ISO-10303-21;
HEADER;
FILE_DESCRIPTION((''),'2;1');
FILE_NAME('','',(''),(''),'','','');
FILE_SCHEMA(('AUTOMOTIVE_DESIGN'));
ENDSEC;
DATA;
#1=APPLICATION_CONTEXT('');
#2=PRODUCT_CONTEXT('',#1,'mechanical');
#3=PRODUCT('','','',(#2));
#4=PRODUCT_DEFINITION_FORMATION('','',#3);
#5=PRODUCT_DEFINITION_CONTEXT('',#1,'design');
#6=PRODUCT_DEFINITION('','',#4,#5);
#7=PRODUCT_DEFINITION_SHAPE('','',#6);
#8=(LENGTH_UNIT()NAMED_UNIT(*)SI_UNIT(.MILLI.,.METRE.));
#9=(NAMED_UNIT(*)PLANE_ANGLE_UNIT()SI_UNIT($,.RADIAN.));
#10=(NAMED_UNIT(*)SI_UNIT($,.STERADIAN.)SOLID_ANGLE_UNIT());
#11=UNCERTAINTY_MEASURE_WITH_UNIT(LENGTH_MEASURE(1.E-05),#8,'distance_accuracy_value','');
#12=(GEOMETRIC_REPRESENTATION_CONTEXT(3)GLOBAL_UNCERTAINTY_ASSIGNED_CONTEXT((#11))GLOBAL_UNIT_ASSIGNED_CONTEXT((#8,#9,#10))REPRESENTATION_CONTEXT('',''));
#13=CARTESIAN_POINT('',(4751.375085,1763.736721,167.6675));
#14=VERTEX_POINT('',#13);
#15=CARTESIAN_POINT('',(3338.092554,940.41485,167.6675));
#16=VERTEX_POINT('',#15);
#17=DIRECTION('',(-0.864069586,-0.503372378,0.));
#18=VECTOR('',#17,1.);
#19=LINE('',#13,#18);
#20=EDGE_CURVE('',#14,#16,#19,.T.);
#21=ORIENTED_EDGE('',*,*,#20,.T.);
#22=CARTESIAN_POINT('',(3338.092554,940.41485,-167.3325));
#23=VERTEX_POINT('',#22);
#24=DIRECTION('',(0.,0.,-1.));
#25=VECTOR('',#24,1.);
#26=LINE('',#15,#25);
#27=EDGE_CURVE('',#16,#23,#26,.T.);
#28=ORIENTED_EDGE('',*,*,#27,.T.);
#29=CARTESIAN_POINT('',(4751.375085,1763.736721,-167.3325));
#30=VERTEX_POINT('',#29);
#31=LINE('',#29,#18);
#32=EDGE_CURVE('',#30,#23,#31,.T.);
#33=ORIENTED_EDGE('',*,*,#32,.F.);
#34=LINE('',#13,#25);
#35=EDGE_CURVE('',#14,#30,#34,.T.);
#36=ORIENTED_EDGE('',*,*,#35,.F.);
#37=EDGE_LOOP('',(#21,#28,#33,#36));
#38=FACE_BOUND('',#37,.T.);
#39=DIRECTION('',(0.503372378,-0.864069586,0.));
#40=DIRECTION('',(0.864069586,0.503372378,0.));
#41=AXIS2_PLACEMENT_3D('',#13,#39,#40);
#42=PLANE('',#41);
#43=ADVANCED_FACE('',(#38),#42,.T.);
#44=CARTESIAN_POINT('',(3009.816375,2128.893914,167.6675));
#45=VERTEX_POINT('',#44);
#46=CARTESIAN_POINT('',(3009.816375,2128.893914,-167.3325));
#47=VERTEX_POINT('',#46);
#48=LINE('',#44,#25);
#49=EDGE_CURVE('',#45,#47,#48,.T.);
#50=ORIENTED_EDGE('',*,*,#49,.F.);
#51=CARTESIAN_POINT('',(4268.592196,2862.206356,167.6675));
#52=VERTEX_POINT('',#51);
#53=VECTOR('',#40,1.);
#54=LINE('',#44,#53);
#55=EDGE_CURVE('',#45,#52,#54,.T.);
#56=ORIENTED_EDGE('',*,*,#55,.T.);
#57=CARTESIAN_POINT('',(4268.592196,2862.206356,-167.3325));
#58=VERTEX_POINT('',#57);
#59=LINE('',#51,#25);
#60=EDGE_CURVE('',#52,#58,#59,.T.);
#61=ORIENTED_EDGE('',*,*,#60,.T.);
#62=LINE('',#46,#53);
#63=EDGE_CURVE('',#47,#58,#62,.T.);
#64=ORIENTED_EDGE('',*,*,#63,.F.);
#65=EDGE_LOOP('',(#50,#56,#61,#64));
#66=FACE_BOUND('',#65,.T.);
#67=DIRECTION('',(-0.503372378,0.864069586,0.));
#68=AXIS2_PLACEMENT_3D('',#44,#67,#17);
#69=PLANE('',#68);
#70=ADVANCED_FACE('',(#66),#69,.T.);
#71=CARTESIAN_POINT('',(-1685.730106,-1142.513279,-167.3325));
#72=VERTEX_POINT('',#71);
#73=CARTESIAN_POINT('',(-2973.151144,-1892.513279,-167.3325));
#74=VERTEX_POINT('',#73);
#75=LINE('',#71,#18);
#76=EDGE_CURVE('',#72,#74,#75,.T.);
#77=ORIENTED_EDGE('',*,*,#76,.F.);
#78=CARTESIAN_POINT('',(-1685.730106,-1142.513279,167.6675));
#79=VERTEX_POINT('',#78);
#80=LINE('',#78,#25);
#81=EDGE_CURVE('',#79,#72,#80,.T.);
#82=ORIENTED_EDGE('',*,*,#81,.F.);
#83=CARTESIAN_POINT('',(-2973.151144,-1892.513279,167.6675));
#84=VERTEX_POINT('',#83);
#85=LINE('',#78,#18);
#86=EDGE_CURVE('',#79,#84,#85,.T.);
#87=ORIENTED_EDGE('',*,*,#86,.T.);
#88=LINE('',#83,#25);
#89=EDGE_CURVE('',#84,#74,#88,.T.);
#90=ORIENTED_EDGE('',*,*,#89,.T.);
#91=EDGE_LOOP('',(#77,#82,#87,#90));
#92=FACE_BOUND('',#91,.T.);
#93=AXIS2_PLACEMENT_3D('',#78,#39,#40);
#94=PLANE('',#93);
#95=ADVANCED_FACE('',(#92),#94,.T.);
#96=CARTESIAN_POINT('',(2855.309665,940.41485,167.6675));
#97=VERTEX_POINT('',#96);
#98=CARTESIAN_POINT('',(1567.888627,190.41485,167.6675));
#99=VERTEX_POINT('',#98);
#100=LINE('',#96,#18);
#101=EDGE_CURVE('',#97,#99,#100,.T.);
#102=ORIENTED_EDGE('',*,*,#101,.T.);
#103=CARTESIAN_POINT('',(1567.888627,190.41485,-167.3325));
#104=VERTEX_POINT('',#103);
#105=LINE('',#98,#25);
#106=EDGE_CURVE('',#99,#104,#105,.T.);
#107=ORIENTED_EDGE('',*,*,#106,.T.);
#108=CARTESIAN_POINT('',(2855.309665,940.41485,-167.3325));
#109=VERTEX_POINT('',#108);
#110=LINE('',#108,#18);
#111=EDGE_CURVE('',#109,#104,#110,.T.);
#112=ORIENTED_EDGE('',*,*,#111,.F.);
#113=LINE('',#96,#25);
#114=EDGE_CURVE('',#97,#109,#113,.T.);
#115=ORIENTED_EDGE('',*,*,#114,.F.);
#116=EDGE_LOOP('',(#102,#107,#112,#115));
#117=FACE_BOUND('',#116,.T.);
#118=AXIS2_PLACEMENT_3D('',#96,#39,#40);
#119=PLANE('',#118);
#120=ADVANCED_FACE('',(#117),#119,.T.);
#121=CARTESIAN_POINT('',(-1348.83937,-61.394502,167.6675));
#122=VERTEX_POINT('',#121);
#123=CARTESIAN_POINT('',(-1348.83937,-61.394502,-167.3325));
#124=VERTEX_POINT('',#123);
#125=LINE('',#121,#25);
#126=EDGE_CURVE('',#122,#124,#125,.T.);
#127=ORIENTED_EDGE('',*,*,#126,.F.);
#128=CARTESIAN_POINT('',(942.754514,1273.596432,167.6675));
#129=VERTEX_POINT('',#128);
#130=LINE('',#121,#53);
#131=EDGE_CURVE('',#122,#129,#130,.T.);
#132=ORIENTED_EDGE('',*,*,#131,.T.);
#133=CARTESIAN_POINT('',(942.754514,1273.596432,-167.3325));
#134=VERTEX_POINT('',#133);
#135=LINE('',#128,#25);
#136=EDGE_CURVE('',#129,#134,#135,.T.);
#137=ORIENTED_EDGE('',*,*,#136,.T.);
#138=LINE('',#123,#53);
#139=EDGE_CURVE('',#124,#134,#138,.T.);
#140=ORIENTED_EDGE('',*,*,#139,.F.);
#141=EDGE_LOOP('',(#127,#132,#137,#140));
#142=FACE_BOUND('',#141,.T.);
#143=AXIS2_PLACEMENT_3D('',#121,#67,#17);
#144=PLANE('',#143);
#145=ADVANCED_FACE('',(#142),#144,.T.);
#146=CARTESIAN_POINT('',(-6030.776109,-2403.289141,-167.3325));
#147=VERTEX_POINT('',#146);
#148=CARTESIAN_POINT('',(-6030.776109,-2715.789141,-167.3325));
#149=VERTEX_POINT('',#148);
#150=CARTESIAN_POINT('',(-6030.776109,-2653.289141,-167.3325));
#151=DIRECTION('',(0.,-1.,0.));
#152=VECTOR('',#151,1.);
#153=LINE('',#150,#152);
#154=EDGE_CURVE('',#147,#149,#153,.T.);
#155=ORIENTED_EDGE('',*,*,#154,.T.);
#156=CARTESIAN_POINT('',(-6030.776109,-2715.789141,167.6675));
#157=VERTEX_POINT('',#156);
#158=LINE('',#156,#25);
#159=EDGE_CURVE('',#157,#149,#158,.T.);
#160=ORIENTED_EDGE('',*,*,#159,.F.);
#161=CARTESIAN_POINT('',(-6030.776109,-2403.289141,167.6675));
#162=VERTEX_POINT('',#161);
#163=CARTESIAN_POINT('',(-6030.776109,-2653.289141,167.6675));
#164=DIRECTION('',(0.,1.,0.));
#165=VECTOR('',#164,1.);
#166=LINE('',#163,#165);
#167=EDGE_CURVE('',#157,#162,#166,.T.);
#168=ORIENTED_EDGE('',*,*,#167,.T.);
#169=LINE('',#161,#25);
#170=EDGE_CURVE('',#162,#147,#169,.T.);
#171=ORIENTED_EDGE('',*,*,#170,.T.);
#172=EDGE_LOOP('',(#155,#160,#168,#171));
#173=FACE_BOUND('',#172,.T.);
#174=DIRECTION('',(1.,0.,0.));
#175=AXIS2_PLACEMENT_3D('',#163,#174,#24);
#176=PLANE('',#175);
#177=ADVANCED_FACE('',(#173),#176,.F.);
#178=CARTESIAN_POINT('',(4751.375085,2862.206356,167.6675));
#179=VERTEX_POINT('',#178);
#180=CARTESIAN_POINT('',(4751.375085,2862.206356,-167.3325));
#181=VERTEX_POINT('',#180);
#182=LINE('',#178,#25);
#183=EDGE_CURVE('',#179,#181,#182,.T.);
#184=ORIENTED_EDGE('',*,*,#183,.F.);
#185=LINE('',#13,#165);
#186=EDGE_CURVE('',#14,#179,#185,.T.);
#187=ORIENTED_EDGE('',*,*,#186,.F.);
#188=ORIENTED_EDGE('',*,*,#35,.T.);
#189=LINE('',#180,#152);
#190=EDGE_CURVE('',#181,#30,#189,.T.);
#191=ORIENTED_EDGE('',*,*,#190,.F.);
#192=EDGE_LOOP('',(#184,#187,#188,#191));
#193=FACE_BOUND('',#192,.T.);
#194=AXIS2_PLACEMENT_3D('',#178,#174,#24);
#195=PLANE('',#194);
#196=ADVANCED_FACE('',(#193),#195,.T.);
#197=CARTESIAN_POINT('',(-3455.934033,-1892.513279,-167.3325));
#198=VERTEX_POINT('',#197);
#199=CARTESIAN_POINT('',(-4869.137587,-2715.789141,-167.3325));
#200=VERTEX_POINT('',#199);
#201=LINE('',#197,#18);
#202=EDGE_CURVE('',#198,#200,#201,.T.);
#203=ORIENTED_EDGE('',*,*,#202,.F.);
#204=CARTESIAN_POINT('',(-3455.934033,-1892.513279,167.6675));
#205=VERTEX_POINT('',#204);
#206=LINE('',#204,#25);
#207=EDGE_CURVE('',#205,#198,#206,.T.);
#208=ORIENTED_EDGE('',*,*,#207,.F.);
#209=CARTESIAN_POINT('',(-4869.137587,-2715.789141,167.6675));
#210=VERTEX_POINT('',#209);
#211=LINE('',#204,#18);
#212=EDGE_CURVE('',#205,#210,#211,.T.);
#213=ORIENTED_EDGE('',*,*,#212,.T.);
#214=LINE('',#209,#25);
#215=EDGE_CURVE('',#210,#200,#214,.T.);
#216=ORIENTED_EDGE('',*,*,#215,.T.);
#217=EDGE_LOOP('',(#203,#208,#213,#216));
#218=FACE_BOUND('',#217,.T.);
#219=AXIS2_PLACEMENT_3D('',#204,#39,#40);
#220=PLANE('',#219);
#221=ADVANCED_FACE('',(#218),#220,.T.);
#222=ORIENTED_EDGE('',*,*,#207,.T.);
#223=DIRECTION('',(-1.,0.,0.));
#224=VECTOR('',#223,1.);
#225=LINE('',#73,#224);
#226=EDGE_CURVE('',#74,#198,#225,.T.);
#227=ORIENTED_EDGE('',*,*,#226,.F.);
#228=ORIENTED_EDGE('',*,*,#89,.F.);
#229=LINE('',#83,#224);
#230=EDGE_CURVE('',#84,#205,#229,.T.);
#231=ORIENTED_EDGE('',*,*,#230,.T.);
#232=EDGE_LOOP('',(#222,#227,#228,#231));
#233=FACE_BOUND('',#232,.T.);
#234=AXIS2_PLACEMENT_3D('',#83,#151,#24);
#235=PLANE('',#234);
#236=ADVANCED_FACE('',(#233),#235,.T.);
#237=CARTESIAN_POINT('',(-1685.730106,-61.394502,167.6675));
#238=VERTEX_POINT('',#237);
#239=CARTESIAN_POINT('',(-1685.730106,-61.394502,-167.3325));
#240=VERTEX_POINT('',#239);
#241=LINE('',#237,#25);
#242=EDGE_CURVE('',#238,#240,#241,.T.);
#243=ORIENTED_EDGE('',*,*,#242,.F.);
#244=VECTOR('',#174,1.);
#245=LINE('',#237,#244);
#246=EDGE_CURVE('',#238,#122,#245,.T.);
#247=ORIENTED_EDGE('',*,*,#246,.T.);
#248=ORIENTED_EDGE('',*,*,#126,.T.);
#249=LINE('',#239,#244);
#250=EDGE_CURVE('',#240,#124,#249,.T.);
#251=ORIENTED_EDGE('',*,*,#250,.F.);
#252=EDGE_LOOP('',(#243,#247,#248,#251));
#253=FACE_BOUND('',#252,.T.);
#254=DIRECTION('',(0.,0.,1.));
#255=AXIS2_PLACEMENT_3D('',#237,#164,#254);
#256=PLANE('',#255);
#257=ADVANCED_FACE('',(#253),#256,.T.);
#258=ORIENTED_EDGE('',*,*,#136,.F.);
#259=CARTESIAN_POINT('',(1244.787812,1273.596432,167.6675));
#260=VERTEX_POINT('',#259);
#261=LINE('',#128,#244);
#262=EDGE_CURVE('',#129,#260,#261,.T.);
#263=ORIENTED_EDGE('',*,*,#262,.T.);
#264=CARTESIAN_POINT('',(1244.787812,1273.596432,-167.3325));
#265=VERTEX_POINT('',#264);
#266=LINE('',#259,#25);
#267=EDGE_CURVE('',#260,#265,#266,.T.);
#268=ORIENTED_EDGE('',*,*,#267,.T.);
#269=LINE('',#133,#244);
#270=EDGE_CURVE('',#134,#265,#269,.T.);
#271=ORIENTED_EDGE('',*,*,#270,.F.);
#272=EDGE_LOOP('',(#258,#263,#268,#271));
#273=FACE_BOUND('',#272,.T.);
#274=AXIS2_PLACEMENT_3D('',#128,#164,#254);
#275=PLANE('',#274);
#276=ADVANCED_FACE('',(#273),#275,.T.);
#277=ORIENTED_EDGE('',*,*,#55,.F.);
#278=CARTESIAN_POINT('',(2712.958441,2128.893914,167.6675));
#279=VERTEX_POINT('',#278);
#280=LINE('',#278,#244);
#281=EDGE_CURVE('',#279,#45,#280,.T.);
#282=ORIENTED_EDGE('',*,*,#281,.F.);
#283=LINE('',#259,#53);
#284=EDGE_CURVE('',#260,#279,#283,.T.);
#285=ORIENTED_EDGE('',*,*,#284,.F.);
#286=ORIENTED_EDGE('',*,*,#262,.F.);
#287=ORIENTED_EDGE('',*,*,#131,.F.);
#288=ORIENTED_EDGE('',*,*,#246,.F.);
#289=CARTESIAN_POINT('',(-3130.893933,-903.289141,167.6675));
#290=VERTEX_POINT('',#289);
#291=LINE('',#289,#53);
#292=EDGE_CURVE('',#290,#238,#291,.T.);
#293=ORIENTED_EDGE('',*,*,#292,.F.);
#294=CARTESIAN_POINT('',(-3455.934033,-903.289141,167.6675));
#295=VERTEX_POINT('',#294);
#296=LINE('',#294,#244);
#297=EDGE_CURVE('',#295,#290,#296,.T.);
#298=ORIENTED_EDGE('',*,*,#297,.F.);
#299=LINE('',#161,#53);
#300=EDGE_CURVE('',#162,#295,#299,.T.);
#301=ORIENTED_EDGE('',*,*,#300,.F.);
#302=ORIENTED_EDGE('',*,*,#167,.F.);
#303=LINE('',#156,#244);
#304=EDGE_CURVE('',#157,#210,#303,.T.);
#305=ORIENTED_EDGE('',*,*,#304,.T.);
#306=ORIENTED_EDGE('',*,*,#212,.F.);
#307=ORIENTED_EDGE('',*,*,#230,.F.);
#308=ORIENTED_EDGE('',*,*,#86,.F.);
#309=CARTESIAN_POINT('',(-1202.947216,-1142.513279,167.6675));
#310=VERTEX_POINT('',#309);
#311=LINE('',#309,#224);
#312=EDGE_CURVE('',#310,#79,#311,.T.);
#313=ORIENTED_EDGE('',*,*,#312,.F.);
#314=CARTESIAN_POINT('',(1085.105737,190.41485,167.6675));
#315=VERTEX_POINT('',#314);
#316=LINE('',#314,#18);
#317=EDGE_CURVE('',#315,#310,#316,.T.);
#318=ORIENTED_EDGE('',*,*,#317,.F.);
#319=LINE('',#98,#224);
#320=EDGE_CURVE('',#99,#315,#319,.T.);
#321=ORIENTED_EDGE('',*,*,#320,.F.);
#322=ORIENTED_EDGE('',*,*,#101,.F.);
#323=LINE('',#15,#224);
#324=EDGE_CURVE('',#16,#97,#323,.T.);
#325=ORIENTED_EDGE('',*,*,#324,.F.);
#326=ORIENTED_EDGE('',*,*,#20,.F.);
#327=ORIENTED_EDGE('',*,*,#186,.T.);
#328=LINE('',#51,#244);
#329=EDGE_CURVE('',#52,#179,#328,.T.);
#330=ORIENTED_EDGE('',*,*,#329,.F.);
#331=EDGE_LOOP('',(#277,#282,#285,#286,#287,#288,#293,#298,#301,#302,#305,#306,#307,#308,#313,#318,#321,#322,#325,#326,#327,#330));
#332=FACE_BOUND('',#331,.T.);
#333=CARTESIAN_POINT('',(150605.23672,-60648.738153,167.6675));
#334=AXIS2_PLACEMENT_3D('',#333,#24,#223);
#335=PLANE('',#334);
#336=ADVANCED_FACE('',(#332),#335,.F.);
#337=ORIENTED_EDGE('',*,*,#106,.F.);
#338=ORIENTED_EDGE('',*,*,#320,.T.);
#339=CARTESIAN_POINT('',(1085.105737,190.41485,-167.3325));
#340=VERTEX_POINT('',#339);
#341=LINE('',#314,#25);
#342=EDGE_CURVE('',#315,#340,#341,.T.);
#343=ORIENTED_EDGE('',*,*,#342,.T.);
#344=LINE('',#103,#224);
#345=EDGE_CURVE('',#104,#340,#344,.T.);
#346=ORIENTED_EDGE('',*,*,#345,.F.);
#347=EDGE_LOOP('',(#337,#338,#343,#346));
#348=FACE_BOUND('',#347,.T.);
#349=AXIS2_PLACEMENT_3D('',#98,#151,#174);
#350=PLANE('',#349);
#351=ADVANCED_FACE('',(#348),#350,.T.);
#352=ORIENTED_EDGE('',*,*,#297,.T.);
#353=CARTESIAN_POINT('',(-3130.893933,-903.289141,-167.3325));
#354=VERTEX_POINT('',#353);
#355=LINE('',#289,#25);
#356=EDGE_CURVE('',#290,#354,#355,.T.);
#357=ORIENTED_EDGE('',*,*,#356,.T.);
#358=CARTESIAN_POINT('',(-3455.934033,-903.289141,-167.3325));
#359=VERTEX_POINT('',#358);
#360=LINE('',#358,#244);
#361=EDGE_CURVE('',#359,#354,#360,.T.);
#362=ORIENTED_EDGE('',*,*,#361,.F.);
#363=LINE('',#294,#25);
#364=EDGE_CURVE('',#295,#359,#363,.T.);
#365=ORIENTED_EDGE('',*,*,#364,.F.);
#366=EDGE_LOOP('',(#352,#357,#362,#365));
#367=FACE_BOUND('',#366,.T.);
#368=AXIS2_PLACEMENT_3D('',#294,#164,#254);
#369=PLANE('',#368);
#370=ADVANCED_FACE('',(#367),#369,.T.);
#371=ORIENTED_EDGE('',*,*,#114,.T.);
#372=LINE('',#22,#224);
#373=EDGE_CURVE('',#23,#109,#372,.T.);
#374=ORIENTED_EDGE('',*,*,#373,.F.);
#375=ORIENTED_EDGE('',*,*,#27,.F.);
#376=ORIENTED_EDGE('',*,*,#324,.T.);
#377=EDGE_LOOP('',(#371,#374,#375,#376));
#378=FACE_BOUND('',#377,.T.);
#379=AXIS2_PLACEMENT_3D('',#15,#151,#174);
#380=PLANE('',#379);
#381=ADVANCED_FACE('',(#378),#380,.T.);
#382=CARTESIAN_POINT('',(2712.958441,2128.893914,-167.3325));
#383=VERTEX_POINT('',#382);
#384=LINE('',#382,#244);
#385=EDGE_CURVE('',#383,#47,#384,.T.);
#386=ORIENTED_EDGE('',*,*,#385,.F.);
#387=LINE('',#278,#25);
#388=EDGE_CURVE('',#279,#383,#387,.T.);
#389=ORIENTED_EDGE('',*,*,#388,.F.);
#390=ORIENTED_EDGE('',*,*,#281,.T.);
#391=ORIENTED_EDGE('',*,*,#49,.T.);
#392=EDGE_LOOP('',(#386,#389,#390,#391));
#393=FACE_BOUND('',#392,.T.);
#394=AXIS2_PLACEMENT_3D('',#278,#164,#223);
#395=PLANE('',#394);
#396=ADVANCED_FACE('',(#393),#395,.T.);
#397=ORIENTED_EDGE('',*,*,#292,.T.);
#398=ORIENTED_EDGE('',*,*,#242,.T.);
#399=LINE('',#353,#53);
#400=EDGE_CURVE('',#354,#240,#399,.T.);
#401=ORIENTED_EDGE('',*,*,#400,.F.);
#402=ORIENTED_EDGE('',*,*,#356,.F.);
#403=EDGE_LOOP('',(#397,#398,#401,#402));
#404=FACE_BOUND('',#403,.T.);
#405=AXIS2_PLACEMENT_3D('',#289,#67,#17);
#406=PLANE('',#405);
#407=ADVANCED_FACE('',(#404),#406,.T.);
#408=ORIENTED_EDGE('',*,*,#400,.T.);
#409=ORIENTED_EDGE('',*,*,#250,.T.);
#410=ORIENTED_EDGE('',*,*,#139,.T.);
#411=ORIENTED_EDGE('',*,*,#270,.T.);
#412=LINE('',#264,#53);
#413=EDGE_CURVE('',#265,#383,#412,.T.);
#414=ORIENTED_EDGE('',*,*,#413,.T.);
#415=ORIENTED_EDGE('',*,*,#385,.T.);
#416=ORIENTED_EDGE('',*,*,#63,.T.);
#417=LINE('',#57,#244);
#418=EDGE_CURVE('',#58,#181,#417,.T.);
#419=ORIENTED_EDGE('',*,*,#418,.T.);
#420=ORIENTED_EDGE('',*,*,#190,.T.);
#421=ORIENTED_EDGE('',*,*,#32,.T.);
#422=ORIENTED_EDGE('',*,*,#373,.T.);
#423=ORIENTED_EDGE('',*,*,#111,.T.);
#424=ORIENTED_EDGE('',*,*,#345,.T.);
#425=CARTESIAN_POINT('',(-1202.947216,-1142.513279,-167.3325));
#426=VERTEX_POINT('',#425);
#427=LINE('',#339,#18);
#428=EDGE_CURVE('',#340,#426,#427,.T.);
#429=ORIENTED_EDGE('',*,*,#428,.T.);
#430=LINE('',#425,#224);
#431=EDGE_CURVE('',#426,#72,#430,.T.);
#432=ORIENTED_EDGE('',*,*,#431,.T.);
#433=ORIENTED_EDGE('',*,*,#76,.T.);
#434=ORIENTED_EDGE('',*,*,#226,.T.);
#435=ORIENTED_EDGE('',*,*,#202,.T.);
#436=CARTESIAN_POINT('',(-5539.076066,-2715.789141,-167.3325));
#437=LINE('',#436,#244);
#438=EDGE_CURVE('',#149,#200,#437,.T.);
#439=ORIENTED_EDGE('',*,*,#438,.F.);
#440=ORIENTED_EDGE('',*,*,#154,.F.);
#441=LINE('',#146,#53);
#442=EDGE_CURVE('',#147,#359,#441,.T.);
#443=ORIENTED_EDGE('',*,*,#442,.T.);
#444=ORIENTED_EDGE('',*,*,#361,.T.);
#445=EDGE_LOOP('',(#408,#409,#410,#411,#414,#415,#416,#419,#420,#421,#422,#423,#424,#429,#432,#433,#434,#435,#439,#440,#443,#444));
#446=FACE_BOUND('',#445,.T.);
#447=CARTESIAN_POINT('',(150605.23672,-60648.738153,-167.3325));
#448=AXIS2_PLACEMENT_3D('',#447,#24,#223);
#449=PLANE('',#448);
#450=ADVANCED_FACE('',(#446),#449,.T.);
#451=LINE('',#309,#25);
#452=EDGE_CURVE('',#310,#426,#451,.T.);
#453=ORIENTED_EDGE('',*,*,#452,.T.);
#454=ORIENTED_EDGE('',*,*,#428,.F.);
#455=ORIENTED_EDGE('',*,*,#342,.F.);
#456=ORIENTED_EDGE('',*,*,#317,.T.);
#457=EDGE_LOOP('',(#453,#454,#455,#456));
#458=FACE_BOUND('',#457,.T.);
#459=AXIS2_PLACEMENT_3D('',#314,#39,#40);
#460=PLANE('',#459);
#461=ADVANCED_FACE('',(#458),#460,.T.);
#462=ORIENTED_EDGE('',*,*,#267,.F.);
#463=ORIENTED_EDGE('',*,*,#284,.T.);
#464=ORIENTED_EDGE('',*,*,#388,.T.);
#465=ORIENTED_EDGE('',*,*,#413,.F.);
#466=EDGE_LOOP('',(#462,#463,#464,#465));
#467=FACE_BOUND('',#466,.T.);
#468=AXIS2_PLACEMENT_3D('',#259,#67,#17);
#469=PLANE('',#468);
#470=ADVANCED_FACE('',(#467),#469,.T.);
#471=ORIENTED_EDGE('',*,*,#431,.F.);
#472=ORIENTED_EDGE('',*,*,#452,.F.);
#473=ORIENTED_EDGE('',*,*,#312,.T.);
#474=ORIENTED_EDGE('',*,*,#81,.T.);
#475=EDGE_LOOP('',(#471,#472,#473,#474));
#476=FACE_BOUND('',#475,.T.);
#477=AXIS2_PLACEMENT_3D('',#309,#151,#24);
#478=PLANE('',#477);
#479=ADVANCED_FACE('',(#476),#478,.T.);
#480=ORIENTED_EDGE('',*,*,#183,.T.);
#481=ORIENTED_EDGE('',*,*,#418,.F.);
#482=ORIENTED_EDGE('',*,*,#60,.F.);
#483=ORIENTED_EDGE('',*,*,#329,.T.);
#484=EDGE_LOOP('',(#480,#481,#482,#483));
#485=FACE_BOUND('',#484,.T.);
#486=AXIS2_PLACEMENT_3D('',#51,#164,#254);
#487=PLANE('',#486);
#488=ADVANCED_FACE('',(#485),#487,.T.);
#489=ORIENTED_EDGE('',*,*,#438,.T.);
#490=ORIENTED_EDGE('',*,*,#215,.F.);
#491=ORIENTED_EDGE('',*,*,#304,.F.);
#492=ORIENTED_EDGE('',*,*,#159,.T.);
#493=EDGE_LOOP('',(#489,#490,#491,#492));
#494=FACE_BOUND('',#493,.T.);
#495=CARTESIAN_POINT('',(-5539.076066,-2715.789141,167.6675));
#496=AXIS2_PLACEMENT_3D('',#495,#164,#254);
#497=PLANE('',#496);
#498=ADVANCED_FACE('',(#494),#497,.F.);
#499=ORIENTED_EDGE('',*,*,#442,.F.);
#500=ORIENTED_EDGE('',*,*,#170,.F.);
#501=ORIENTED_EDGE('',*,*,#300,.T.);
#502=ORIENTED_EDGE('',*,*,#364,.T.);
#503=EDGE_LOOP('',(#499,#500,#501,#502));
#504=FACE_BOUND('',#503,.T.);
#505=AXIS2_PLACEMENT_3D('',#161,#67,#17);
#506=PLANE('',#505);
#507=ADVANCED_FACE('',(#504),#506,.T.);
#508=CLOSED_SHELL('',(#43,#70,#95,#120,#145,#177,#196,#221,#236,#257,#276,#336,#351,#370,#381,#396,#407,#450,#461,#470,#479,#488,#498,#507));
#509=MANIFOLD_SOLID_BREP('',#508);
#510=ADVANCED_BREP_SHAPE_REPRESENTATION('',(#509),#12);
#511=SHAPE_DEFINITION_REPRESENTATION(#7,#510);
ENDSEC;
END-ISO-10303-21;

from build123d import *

# Parameters (mm, degrees)
BOSS_EXTRUDE1_DEPTH = 0.335
SCALE1_SCALE        = 1000


with BuildPart() as part:
    # Sketch1 → Boss-Extrude1 (new body)
    with BuildSketch(Plane.XY):
        Polygon((-156.144312786, 57.932949012), (-155.474374306, 57.932949012), (-154.061170753, 58.756224874), (-153.578387864, 58.756224874), (-152.290966825, 59.506224874), (-151.808183936, 59.506224874), (-149.520130982, 60.839153003), (-149.037348093, 60.839153003), (-147.749927055, 61.589153003), (-147.267144165, 61.589153003), (-145.853861634, 62.412474874), (-145.853861634, 63.307931846), (-145.853861634, 63.510944508), (-146.336644524, 63.510944508), (-147.595420344, 62.777632066), (-147.892278278, 62.777632066), (-149.360448908, 61.922334584), (-149.662482206, 61.922334584), (-151.95407609, 60.587343651), (-152.290966825, 60.587343651), (-153.736130653, 59.745449012), (-154.061170753, 59.745449012), (-156.636012829, 58.245449012), (-156.636012829, 57.995449012), (-156.636012829, 57.932949012), align=None)
    extrude(amount=BOSS_EXTRUDE1_DEPTH)


with BuildPart() as part_1:
    # Scale1: scaled about (-150.755992712, 60.7094476, 0.1675)
    add(part.part.scale(SCALE1_SCALE).moved(Location((150605.236719288, -60648.7381524, -167.3325))))


solid = part_1.part
